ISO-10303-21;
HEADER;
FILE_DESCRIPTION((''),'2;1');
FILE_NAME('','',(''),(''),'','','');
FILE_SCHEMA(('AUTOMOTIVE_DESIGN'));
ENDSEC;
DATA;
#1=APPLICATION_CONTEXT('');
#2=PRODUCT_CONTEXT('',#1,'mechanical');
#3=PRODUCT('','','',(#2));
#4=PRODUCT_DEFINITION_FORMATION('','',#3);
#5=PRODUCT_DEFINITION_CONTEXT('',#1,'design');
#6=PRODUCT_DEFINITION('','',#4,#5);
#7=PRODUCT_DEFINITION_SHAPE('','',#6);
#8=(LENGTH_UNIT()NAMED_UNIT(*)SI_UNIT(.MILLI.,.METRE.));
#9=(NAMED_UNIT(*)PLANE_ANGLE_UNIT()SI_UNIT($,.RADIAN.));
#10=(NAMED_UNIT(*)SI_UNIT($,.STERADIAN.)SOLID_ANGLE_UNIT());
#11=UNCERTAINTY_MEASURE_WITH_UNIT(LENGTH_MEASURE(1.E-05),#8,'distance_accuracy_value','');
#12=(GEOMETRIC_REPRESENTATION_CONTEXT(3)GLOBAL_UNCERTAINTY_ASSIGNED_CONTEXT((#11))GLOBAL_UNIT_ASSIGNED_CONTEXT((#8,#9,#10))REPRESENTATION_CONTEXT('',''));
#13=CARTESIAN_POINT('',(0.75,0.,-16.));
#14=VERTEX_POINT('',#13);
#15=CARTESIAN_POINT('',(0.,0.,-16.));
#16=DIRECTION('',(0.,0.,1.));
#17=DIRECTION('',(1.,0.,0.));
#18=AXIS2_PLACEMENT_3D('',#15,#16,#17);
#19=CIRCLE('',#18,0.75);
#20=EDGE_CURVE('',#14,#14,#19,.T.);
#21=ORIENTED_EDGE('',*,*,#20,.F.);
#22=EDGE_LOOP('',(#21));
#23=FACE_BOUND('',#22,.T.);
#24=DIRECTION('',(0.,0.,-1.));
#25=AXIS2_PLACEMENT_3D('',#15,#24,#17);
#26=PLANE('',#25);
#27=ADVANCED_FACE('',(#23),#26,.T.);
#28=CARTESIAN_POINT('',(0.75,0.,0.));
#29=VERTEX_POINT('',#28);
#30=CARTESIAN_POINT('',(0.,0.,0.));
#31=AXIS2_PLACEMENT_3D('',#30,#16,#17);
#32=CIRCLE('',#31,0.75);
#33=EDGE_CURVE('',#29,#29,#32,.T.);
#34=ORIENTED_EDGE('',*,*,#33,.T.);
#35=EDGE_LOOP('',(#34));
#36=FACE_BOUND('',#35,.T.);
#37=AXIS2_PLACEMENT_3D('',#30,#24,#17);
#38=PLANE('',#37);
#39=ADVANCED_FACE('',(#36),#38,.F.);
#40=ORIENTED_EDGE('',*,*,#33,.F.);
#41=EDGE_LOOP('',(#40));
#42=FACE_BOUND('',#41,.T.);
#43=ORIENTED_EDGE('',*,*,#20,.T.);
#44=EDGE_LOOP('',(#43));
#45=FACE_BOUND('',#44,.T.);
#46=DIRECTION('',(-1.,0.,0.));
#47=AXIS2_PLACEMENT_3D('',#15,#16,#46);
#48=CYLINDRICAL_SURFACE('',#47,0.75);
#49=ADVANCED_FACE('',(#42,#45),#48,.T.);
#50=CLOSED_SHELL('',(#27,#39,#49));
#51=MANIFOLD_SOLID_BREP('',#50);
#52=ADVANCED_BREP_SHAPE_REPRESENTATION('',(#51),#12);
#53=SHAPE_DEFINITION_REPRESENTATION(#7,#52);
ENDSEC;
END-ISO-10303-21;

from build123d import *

# Parameters (mm, degrees)
SKETCH1_R           = 0.75
BOSS_EXTRUDE1_DEPTH = 16


with BuildPart() as part:
    # Sketch1 → Boss-Extrude1 (new body)
    with BuildSketch(Plane.XY):
        Circle(SKETCH1_R)
    extrude(amount=BOSS_EXTRUDE1_DEPTH)


with BuildPart() as part_1:
    # Body-Move/Copy1: moved
    add(part.part.moved(Location((0, 0, -16))))


solid = part_1.part
